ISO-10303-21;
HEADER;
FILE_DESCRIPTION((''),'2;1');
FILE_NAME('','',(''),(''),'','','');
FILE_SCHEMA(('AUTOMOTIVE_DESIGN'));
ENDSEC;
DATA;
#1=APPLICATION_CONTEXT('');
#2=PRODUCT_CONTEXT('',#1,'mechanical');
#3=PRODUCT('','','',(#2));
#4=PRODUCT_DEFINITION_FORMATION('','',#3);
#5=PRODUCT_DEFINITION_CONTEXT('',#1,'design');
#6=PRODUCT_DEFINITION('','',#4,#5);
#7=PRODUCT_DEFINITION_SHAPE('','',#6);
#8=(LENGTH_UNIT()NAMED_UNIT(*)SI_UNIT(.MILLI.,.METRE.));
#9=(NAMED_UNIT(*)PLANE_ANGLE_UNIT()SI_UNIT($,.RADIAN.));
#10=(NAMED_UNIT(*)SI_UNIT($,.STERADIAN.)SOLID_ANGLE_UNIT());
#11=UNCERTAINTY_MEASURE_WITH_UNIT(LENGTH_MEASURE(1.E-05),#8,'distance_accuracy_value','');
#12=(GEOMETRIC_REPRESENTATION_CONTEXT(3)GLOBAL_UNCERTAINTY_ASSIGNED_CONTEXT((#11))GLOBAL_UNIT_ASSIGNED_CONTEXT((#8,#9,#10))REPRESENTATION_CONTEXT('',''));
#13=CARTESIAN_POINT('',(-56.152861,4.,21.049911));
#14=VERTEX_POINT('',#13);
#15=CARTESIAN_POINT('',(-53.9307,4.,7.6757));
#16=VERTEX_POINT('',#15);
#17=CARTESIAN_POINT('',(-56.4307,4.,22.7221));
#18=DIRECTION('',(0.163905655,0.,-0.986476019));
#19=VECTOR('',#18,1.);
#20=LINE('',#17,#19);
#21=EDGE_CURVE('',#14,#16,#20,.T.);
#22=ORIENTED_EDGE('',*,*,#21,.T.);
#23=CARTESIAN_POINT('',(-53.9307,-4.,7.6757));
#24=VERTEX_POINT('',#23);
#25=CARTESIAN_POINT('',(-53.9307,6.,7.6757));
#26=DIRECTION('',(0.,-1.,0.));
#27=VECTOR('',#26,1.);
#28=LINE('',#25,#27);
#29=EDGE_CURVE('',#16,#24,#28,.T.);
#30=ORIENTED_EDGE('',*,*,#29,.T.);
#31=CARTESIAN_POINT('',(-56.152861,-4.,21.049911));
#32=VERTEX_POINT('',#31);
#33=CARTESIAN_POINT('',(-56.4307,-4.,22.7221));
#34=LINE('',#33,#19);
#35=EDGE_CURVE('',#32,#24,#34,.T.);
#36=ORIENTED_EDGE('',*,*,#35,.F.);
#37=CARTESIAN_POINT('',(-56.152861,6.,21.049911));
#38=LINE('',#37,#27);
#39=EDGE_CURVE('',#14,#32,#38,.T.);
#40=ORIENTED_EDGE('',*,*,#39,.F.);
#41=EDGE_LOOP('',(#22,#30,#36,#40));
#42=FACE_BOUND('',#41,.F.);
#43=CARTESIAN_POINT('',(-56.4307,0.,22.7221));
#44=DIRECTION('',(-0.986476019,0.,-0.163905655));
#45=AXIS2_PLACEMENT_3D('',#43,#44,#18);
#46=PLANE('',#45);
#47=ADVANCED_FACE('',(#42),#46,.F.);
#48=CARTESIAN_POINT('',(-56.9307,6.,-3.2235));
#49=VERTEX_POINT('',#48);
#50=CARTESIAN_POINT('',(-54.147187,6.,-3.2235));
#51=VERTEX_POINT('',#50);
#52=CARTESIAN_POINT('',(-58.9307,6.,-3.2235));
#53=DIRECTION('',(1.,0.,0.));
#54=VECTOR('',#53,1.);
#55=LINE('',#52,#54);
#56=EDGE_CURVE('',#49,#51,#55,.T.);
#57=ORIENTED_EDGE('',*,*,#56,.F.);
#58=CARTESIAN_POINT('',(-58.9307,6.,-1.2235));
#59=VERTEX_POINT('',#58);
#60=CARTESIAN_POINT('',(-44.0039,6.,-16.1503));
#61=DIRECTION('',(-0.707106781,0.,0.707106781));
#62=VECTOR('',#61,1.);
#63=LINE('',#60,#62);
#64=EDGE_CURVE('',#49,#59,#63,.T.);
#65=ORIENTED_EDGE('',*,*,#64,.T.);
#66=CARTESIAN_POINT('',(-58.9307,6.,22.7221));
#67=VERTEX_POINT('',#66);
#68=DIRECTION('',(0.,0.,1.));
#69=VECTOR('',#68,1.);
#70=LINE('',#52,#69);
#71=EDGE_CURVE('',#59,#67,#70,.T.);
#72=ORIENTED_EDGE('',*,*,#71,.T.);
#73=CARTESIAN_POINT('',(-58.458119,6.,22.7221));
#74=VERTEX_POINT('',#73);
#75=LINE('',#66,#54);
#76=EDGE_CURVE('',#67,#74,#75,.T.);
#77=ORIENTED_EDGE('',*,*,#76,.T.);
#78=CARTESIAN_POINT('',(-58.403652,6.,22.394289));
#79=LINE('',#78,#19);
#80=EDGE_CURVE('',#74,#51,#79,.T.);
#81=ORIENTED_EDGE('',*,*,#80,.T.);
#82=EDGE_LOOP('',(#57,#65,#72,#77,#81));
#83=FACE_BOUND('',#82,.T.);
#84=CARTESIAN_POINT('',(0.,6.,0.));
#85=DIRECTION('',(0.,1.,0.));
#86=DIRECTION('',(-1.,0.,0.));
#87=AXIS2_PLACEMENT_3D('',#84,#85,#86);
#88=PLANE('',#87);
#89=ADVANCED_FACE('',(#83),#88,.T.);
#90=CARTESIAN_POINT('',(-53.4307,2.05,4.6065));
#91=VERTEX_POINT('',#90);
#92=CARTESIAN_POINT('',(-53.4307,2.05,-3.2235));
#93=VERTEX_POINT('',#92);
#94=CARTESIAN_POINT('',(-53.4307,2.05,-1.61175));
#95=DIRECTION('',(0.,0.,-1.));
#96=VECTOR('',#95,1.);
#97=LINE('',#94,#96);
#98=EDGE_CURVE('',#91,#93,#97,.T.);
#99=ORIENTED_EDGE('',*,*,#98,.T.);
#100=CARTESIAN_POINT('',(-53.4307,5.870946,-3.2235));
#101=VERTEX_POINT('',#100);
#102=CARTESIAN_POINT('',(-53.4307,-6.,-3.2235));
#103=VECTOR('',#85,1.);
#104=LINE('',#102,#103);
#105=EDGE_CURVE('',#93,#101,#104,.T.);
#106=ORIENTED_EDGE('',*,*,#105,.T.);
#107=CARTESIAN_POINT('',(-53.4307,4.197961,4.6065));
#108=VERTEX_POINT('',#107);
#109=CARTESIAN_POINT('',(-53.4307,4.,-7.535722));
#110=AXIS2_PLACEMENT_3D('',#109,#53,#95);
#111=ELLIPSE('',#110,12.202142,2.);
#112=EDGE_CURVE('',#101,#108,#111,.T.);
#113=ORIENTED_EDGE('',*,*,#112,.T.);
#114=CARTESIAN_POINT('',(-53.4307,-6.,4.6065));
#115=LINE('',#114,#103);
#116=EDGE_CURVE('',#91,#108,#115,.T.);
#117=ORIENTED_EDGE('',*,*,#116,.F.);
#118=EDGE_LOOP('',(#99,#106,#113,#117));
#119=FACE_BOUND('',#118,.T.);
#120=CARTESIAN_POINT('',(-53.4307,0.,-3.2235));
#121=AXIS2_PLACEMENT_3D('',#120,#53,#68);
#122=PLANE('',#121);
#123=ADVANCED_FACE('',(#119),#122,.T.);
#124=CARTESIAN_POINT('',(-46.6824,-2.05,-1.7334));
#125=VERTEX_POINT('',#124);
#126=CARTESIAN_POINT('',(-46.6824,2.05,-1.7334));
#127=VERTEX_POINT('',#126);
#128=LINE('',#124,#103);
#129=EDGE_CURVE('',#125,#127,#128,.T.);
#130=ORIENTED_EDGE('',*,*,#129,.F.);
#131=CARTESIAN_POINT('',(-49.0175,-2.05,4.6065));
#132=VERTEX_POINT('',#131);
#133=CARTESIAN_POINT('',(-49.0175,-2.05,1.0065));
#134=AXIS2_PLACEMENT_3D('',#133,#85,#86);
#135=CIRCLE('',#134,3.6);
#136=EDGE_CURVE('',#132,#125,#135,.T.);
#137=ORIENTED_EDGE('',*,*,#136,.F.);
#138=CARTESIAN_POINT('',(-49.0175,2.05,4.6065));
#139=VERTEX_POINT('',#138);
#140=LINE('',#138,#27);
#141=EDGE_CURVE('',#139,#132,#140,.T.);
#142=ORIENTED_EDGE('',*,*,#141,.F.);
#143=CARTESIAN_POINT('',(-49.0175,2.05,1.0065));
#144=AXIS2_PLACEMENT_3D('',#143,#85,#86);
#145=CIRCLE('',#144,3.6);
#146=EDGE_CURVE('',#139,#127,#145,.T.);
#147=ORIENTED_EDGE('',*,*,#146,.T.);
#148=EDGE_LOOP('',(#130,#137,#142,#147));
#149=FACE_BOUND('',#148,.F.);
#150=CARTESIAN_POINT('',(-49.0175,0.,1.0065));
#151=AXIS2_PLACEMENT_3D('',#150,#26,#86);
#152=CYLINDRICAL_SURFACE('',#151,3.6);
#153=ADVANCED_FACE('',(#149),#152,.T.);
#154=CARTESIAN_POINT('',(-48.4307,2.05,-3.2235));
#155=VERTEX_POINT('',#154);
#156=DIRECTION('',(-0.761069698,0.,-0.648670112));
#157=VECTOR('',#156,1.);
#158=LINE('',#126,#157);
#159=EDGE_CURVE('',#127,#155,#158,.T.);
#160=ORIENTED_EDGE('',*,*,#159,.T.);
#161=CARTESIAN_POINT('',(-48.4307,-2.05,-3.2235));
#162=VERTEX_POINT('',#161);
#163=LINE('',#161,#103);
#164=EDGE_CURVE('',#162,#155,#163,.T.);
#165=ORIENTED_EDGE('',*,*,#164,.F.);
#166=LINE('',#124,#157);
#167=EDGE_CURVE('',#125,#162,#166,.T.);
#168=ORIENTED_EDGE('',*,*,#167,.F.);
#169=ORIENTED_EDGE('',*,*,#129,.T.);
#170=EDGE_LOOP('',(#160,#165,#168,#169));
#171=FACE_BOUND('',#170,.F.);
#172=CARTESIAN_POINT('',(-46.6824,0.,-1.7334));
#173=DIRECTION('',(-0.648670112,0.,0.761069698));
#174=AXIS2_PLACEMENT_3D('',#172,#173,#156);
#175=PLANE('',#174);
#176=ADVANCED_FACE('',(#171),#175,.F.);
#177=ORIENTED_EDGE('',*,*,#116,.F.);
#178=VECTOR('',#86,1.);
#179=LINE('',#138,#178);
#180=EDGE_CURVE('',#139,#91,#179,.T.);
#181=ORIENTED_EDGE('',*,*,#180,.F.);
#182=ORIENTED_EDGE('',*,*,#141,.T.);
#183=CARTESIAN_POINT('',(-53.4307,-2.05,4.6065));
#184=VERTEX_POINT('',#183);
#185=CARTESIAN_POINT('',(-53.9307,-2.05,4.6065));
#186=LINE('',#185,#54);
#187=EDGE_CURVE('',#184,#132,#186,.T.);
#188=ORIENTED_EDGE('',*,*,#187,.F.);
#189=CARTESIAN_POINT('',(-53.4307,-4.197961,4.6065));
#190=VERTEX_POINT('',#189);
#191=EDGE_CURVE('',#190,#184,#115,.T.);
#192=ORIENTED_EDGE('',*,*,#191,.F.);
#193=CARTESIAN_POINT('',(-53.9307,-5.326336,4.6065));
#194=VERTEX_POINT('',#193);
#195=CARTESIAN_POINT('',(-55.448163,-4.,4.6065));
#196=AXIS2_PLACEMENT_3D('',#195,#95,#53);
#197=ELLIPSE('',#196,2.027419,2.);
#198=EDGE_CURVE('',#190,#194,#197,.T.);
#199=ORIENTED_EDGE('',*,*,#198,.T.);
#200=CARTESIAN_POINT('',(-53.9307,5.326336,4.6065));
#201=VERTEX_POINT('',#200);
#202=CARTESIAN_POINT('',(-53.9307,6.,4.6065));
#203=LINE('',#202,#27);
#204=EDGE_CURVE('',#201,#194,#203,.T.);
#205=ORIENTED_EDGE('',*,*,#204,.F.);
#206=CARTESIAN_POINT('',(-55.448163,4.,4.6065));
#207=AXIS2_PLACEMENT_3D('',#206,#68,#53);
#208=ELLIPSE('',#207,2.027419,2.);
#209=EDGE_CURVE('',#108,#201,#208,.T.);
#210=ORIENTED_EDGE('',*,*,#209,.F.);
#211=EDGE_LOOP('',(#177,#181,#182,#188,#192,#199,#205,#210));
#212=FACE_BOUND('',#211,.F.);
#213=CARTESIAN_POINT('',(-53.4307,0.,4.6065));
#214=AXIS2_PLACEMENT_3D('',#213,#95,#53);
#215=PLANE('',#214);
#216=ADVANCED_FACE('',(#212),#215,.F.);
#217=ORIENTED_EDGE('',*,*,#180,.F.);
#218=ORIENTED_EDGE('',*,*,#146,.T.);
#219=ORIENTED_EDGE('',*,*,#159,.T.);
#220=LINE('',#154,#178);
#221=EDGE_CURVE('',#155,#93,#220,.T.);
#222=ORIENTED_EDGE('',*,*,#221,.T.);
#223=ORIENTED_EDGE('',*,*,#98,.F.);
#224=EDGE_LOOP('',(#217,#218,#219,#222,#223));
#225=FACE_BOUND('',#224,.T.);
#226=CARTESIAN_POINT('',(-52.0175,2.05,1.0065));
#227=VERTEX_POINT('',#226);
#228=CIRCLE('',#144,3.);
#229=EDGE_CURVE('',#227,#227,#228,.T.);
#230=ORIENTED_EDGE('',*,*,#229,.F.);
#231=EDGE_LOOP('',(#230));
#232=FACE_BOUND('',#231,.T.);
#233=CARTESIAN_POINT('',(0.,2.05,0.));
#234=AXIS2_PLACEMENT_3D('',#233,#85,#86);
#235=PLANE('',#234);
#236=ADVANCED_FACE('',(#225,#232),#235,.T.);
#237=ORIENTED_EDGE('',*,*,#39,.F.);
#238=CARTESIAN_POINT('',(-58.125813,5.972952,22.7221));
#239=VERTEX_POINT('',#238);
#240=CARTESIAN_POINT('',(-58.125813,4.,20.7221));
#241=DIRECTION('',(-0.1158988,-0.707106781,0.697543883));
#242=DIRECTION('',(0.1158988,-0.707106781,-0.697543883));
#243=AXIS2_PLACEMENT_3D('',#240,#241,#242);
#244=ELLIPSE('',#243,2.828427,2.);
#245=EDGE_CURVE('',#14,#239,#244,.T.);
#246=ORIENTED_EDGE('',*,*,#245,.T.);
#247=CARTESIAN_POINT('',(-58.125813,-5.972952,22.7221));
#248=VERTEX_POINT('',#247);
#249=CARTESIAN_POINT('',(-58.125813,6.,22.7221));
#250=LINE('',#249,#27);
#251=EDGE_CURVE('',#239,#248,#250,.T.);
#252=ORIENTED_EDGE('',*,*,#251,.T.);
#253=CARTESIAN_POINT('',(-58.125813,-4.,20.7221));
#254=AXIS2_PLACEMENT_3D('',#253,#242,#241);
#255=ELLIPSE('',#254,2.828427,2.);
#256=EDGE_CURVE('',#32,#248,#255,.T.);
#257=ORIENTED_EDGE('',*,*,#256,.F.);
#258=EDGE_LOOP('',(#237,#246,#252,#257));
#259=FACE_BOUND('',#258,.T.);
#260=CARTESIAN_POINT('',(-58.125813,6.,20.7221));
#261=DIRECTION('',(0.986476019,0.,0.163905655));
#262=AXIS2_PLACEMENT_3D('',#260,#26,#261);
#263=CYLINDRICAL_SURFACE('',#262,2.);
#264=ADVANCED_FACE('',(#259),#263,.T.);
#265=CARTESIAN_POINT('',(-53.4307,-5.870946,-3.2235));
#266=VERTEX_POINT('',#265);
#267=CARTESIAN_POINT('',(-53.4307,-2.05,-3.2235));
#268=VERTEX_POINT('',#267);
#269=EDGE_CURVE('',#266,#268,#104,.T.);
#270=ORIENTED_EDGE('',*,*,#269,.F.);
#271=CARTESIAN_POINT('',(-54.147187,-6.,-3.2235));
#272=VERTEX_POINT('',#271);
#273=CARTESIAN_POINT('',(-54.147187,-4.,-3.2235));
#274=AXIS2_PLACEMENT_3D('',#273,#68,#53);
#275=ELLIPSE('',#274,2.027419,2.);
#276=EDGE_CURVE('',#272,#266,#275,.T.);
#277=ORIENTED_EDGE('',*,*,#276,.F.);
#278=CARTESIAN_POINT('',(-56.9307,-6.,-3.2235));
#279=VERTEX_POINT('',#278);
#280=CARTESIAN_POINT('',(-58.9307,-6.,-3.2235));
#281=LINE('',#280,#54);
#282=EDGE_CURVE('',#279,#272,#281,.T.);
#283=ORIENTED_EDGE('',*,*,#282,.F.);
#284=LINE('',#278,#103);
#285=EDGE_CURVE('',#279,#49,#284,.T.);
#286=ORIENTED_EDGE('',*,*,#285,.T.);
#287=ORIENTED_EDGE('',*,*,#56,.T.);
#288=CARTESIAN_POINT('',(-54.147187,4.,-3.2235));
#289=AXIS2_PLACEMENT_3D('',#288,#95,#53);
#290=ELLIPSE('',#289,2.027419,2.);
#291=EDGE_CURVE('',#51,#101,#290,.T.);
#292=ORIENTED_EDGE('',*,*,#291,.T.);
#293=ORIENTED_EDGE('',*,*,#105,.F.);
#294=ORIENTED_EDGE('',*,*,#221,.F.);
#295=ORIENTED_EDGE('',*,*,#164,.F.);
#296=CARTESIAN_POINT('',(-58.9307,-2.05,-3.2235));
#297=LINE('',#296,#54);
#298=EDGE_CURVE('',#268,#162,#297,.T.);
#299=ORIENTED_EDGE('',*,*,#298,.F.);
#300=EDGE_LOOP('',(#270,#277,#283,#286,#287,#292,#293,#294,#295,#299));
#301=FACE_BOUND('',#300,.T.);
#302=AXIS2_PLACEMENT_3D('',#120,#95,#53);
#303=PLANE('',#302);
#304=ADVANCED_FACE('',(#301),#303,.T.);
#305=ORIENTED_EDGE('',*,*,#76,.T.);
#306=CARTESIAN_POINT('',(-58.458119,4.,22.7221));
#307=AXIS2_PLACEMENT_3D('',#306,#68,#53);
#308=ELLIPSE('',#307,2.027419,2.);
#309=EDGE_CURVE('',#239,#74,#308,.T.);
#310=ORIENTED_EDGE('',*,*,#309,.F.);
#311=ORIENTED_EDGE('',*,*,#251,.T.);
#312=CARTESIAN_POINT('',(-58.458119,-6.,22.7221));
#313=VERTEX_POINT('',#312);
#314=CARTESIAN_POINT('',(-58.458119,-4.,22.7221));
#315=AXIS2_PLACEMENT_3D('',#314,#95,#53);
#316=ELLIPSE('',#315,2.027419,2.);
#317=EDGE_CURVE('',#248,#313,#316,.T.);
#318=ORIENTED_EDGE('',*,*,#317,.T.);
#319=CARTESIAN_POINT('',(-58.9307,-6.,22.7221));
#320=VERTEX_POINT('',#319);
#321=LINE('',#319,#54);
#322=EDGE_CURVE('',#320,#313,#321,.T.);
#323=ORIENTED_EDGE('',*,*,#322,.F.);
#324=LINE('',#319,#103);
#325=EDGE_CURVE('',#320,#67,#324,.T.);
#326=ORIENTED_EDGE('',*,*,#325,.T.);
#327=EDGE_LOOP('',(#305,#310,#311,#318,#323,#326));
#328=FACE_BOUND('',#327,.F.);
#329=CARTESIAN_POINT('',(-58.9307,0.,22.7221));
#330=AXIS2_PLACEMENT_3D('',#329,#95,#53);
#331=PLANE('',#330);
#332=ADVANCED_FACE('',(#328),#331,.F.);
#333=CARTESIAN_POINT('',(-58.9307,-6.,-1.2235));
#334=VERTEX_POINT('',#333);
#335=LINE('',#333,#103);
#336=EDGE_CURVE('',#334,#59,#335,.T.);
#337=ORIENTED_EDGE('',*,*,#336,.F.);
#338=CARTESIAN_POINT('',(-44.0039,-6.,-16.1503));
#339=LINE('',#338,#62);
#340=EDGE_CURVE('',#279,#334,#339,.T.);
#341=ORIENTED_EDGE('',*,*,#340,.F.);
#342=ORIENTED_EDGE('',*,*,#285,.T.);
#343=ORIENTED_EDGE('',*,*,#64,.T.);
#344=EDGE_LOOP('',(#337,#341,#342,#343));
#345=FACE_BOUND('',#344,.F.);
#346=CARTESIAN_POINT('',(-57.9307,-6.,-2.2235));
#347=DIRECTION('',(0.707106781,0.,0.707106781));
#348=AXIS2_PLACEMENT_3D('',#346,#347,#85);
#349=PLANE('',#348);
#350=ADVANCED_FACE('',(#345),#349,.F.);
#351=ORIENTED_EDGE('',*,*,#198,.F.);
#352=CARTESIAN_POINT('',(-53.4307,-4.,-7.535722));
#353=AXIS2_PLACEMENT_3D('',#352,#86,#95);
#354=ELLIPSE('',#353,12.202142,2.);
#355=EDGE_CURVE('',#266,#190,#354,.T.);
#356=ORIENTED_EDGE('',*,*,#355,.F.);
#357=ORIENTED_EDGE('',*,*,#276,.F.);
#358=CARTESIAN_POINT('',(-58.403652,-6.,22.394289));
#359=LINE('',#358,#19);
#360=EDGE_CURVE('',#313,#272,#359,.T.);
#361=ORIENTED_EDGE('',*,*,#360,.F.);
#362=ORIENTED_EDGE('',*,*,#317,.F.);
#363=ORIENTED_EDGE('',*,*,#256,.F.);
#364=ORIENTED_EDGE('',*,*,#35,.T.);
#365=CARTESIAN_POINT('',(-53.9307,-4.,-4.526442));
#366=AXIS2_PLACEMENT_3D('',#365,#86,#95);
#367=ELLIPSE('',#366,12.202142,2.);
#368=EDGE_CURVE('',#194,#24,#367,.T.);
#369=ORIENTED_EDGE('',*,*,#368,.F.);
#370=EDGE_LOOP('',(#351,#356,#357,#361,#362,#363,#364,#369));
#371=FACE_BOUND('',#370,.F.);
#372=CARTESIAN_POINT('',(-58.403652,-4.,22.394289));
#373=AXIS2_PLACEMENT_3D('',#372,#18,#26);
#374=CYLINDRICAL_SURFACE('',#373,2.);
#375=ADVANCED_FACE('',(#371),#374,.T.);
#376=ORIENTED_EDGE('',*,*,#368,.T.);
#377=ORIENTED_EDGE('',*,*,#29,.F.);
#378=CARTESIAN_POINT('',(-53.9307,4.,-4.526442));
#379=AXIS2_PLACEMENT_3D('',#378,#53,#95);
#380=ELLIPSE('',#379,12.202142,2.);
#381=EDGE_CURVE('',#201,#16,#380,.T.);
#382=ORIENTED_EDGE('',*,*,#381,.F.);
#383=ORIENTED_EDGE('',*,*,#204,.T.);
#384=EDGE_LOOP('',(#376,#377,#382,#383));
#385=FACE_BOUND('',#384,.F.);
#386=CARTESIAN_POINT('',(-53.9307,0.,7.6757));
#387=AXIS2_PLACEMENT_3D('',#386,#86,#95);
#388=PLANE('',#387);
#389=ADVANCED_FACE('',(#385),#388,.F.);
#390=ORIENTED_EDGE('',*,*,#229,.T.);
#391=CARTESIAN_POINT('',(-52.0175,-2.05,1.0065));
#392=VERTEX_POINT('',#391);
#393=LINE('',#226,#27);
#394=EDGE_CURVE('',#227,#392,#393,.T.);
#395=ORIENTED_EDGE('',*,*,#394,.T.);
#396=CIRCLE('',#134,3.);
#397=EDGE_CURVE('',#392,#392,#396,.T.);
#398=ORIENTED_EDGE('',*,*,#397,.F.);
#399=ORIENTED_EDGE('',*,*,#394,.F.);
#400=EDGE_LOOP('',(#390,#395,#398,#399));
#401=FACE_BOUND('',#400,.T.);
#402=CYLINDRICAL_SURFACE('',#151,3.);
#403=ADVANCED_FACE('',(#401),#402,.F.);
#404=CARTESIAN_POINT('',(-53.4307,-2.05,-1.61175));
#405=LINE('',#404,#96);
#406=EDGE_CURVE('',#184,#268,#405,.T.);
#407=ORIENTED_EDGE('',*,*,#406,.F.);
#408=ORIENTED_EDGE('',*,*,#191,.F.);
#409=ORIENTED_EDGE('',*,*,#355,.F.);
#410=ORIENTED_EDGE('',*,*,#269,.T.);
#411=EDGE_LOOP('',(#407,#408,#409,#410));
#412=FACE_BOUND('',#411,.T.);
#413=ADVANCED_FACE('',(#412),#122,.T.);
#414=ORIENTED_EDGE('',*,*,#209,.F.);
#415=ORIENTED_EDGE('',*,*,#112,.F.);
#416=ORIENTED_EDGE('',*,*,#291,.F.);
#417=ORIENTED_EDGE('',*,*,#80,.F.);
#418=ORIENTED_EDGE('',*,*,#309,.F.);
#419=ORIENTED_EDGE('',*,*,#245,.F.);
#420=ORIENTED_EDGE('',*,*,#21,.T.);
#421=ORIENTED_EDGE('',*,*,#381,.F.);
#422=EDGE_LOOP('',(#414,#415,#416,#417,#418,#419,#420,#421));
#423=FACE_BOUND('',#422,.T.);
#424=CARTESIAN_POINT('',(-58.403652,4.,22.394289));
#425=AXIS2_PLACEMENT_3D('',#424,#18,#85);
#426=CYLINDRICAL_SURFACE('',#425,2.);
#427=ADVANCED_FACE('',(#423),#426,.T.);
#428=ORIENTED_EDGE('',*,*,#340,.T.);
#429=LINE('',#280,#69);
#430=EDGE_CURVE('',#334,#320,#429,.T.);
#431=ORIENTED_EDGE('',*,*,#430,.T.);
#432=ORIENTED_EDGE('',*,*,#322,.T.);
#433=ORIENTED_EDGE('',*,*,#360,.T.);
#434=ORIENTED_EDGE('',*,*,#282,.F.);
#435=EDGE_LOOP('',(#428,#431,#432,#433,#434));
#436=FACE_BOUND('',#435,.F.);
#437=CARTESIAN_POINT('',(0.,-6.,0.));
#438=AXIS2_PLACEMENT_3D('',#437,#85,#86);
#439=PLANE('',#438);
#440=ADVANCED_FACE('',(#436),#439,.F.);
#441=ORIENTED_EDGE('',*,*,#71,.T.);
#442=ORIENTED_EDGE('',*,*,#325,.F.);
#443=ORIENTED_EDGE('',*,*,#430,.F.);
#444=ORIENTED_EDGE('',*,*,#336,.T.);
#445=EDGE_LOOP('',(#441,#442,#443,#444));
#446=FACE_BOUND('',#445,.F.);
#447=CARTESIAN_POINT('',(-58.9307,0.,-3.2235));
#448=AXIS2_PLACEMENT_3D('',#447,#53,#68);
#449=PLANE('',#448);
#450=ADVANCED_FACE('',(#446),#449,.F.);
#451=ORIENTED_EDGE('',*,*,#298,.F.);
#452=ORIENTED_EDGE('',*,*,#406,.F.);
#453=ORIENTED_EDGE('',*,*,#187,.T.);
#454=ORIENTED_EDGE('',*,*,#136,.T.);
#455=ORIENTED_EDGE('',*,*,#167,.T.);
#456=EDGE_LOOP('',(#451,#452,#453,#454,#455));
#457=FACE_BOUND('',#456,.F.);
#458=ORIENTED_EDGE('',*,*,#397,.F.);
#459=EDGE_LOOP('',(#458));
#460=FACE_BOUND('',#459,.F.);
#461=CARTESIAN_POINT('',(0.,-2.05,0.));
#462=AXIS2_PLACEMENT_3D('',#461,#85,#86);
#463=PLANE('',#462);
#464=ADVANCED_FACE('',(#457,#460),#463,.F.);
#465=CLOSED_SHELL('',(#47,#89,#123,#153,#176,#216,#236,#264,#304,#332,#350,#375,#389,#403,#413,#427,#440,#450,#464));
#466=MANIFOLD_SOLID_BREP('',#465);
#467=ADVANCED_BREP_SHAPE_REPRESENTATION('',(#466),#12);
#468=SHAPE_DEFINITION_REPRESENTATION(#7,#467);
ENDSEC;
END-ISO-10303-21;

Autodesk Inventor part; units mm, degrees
ref_plane "YZ Plane" through (0, 0, 0) normal (1, 0, 0) x (0, 1, 0)
ref_plane "XZ Plane" through (0, 0, 0) normal (0, 1, 0) x (-1, 0, 0)
ref_plane "XY Plane" through (0, 0, 0) normal (0, 0, 1) x (1, 0, 0)
sketch "Sketch1" plane through (0, 0, 0) normal (0, 1, 0) x (-1, 0, 0)
  circle A0 centre (49.0175, 1.0065) radius 3.6
  line L0 (58.9307, -3.2235) -> (48.4307, -3.2235)
  line L1 (58.9307, -3.2235) -> (58.9307, 22.7221)
  line L2 (58.9307, 22.7221) -> (56.4307, 22.7221)
  line L3 (56.4307, 22.7221) -> (53.9307, 7.6757)
  line L4 (53.9307, 7.6757) -> (53.9307, 4.6065)
  line L5 (53.9307, 4.6065) -> (49.0175, 4.6065)
  line L6 (53.4307, -3.2235) -> (53.4307, 4.6065)
  line L7 (46.6824, -1.7334) -> (48.4307, -3.2235)
  circle A1 centre (49.0175, 1.0065) radius 3
  point P0 (0, 0)
  dimension "d0" = 5.5
  dimension "d1" = 5
  dimension "d2" = 2.5
  dimension "d3" = 10.5
  dimension "d4" = 7.2
  dimension "d5" = 6
  dimension "d14" = 4.23
extrude "Extrusion1" add sketch "Sketch1" along normal mid plane 4.1
extrude "Extrusion2" add sketch "Sketch1" along normal mid plane 12 contours L5 L4 L3 L2 L1 L0 L6
fillet "Fillet1" radius 2 3 edges at (-56.4307, 0, 22.7221) (-55.1807, 6, 15.1989) (-55.1807, -6, 15.1989)
chamfer "Chamfer1" distance 2 angle 45 1 edges at (-58.9307, 0, -3.2235)
properties part number "Foot"
